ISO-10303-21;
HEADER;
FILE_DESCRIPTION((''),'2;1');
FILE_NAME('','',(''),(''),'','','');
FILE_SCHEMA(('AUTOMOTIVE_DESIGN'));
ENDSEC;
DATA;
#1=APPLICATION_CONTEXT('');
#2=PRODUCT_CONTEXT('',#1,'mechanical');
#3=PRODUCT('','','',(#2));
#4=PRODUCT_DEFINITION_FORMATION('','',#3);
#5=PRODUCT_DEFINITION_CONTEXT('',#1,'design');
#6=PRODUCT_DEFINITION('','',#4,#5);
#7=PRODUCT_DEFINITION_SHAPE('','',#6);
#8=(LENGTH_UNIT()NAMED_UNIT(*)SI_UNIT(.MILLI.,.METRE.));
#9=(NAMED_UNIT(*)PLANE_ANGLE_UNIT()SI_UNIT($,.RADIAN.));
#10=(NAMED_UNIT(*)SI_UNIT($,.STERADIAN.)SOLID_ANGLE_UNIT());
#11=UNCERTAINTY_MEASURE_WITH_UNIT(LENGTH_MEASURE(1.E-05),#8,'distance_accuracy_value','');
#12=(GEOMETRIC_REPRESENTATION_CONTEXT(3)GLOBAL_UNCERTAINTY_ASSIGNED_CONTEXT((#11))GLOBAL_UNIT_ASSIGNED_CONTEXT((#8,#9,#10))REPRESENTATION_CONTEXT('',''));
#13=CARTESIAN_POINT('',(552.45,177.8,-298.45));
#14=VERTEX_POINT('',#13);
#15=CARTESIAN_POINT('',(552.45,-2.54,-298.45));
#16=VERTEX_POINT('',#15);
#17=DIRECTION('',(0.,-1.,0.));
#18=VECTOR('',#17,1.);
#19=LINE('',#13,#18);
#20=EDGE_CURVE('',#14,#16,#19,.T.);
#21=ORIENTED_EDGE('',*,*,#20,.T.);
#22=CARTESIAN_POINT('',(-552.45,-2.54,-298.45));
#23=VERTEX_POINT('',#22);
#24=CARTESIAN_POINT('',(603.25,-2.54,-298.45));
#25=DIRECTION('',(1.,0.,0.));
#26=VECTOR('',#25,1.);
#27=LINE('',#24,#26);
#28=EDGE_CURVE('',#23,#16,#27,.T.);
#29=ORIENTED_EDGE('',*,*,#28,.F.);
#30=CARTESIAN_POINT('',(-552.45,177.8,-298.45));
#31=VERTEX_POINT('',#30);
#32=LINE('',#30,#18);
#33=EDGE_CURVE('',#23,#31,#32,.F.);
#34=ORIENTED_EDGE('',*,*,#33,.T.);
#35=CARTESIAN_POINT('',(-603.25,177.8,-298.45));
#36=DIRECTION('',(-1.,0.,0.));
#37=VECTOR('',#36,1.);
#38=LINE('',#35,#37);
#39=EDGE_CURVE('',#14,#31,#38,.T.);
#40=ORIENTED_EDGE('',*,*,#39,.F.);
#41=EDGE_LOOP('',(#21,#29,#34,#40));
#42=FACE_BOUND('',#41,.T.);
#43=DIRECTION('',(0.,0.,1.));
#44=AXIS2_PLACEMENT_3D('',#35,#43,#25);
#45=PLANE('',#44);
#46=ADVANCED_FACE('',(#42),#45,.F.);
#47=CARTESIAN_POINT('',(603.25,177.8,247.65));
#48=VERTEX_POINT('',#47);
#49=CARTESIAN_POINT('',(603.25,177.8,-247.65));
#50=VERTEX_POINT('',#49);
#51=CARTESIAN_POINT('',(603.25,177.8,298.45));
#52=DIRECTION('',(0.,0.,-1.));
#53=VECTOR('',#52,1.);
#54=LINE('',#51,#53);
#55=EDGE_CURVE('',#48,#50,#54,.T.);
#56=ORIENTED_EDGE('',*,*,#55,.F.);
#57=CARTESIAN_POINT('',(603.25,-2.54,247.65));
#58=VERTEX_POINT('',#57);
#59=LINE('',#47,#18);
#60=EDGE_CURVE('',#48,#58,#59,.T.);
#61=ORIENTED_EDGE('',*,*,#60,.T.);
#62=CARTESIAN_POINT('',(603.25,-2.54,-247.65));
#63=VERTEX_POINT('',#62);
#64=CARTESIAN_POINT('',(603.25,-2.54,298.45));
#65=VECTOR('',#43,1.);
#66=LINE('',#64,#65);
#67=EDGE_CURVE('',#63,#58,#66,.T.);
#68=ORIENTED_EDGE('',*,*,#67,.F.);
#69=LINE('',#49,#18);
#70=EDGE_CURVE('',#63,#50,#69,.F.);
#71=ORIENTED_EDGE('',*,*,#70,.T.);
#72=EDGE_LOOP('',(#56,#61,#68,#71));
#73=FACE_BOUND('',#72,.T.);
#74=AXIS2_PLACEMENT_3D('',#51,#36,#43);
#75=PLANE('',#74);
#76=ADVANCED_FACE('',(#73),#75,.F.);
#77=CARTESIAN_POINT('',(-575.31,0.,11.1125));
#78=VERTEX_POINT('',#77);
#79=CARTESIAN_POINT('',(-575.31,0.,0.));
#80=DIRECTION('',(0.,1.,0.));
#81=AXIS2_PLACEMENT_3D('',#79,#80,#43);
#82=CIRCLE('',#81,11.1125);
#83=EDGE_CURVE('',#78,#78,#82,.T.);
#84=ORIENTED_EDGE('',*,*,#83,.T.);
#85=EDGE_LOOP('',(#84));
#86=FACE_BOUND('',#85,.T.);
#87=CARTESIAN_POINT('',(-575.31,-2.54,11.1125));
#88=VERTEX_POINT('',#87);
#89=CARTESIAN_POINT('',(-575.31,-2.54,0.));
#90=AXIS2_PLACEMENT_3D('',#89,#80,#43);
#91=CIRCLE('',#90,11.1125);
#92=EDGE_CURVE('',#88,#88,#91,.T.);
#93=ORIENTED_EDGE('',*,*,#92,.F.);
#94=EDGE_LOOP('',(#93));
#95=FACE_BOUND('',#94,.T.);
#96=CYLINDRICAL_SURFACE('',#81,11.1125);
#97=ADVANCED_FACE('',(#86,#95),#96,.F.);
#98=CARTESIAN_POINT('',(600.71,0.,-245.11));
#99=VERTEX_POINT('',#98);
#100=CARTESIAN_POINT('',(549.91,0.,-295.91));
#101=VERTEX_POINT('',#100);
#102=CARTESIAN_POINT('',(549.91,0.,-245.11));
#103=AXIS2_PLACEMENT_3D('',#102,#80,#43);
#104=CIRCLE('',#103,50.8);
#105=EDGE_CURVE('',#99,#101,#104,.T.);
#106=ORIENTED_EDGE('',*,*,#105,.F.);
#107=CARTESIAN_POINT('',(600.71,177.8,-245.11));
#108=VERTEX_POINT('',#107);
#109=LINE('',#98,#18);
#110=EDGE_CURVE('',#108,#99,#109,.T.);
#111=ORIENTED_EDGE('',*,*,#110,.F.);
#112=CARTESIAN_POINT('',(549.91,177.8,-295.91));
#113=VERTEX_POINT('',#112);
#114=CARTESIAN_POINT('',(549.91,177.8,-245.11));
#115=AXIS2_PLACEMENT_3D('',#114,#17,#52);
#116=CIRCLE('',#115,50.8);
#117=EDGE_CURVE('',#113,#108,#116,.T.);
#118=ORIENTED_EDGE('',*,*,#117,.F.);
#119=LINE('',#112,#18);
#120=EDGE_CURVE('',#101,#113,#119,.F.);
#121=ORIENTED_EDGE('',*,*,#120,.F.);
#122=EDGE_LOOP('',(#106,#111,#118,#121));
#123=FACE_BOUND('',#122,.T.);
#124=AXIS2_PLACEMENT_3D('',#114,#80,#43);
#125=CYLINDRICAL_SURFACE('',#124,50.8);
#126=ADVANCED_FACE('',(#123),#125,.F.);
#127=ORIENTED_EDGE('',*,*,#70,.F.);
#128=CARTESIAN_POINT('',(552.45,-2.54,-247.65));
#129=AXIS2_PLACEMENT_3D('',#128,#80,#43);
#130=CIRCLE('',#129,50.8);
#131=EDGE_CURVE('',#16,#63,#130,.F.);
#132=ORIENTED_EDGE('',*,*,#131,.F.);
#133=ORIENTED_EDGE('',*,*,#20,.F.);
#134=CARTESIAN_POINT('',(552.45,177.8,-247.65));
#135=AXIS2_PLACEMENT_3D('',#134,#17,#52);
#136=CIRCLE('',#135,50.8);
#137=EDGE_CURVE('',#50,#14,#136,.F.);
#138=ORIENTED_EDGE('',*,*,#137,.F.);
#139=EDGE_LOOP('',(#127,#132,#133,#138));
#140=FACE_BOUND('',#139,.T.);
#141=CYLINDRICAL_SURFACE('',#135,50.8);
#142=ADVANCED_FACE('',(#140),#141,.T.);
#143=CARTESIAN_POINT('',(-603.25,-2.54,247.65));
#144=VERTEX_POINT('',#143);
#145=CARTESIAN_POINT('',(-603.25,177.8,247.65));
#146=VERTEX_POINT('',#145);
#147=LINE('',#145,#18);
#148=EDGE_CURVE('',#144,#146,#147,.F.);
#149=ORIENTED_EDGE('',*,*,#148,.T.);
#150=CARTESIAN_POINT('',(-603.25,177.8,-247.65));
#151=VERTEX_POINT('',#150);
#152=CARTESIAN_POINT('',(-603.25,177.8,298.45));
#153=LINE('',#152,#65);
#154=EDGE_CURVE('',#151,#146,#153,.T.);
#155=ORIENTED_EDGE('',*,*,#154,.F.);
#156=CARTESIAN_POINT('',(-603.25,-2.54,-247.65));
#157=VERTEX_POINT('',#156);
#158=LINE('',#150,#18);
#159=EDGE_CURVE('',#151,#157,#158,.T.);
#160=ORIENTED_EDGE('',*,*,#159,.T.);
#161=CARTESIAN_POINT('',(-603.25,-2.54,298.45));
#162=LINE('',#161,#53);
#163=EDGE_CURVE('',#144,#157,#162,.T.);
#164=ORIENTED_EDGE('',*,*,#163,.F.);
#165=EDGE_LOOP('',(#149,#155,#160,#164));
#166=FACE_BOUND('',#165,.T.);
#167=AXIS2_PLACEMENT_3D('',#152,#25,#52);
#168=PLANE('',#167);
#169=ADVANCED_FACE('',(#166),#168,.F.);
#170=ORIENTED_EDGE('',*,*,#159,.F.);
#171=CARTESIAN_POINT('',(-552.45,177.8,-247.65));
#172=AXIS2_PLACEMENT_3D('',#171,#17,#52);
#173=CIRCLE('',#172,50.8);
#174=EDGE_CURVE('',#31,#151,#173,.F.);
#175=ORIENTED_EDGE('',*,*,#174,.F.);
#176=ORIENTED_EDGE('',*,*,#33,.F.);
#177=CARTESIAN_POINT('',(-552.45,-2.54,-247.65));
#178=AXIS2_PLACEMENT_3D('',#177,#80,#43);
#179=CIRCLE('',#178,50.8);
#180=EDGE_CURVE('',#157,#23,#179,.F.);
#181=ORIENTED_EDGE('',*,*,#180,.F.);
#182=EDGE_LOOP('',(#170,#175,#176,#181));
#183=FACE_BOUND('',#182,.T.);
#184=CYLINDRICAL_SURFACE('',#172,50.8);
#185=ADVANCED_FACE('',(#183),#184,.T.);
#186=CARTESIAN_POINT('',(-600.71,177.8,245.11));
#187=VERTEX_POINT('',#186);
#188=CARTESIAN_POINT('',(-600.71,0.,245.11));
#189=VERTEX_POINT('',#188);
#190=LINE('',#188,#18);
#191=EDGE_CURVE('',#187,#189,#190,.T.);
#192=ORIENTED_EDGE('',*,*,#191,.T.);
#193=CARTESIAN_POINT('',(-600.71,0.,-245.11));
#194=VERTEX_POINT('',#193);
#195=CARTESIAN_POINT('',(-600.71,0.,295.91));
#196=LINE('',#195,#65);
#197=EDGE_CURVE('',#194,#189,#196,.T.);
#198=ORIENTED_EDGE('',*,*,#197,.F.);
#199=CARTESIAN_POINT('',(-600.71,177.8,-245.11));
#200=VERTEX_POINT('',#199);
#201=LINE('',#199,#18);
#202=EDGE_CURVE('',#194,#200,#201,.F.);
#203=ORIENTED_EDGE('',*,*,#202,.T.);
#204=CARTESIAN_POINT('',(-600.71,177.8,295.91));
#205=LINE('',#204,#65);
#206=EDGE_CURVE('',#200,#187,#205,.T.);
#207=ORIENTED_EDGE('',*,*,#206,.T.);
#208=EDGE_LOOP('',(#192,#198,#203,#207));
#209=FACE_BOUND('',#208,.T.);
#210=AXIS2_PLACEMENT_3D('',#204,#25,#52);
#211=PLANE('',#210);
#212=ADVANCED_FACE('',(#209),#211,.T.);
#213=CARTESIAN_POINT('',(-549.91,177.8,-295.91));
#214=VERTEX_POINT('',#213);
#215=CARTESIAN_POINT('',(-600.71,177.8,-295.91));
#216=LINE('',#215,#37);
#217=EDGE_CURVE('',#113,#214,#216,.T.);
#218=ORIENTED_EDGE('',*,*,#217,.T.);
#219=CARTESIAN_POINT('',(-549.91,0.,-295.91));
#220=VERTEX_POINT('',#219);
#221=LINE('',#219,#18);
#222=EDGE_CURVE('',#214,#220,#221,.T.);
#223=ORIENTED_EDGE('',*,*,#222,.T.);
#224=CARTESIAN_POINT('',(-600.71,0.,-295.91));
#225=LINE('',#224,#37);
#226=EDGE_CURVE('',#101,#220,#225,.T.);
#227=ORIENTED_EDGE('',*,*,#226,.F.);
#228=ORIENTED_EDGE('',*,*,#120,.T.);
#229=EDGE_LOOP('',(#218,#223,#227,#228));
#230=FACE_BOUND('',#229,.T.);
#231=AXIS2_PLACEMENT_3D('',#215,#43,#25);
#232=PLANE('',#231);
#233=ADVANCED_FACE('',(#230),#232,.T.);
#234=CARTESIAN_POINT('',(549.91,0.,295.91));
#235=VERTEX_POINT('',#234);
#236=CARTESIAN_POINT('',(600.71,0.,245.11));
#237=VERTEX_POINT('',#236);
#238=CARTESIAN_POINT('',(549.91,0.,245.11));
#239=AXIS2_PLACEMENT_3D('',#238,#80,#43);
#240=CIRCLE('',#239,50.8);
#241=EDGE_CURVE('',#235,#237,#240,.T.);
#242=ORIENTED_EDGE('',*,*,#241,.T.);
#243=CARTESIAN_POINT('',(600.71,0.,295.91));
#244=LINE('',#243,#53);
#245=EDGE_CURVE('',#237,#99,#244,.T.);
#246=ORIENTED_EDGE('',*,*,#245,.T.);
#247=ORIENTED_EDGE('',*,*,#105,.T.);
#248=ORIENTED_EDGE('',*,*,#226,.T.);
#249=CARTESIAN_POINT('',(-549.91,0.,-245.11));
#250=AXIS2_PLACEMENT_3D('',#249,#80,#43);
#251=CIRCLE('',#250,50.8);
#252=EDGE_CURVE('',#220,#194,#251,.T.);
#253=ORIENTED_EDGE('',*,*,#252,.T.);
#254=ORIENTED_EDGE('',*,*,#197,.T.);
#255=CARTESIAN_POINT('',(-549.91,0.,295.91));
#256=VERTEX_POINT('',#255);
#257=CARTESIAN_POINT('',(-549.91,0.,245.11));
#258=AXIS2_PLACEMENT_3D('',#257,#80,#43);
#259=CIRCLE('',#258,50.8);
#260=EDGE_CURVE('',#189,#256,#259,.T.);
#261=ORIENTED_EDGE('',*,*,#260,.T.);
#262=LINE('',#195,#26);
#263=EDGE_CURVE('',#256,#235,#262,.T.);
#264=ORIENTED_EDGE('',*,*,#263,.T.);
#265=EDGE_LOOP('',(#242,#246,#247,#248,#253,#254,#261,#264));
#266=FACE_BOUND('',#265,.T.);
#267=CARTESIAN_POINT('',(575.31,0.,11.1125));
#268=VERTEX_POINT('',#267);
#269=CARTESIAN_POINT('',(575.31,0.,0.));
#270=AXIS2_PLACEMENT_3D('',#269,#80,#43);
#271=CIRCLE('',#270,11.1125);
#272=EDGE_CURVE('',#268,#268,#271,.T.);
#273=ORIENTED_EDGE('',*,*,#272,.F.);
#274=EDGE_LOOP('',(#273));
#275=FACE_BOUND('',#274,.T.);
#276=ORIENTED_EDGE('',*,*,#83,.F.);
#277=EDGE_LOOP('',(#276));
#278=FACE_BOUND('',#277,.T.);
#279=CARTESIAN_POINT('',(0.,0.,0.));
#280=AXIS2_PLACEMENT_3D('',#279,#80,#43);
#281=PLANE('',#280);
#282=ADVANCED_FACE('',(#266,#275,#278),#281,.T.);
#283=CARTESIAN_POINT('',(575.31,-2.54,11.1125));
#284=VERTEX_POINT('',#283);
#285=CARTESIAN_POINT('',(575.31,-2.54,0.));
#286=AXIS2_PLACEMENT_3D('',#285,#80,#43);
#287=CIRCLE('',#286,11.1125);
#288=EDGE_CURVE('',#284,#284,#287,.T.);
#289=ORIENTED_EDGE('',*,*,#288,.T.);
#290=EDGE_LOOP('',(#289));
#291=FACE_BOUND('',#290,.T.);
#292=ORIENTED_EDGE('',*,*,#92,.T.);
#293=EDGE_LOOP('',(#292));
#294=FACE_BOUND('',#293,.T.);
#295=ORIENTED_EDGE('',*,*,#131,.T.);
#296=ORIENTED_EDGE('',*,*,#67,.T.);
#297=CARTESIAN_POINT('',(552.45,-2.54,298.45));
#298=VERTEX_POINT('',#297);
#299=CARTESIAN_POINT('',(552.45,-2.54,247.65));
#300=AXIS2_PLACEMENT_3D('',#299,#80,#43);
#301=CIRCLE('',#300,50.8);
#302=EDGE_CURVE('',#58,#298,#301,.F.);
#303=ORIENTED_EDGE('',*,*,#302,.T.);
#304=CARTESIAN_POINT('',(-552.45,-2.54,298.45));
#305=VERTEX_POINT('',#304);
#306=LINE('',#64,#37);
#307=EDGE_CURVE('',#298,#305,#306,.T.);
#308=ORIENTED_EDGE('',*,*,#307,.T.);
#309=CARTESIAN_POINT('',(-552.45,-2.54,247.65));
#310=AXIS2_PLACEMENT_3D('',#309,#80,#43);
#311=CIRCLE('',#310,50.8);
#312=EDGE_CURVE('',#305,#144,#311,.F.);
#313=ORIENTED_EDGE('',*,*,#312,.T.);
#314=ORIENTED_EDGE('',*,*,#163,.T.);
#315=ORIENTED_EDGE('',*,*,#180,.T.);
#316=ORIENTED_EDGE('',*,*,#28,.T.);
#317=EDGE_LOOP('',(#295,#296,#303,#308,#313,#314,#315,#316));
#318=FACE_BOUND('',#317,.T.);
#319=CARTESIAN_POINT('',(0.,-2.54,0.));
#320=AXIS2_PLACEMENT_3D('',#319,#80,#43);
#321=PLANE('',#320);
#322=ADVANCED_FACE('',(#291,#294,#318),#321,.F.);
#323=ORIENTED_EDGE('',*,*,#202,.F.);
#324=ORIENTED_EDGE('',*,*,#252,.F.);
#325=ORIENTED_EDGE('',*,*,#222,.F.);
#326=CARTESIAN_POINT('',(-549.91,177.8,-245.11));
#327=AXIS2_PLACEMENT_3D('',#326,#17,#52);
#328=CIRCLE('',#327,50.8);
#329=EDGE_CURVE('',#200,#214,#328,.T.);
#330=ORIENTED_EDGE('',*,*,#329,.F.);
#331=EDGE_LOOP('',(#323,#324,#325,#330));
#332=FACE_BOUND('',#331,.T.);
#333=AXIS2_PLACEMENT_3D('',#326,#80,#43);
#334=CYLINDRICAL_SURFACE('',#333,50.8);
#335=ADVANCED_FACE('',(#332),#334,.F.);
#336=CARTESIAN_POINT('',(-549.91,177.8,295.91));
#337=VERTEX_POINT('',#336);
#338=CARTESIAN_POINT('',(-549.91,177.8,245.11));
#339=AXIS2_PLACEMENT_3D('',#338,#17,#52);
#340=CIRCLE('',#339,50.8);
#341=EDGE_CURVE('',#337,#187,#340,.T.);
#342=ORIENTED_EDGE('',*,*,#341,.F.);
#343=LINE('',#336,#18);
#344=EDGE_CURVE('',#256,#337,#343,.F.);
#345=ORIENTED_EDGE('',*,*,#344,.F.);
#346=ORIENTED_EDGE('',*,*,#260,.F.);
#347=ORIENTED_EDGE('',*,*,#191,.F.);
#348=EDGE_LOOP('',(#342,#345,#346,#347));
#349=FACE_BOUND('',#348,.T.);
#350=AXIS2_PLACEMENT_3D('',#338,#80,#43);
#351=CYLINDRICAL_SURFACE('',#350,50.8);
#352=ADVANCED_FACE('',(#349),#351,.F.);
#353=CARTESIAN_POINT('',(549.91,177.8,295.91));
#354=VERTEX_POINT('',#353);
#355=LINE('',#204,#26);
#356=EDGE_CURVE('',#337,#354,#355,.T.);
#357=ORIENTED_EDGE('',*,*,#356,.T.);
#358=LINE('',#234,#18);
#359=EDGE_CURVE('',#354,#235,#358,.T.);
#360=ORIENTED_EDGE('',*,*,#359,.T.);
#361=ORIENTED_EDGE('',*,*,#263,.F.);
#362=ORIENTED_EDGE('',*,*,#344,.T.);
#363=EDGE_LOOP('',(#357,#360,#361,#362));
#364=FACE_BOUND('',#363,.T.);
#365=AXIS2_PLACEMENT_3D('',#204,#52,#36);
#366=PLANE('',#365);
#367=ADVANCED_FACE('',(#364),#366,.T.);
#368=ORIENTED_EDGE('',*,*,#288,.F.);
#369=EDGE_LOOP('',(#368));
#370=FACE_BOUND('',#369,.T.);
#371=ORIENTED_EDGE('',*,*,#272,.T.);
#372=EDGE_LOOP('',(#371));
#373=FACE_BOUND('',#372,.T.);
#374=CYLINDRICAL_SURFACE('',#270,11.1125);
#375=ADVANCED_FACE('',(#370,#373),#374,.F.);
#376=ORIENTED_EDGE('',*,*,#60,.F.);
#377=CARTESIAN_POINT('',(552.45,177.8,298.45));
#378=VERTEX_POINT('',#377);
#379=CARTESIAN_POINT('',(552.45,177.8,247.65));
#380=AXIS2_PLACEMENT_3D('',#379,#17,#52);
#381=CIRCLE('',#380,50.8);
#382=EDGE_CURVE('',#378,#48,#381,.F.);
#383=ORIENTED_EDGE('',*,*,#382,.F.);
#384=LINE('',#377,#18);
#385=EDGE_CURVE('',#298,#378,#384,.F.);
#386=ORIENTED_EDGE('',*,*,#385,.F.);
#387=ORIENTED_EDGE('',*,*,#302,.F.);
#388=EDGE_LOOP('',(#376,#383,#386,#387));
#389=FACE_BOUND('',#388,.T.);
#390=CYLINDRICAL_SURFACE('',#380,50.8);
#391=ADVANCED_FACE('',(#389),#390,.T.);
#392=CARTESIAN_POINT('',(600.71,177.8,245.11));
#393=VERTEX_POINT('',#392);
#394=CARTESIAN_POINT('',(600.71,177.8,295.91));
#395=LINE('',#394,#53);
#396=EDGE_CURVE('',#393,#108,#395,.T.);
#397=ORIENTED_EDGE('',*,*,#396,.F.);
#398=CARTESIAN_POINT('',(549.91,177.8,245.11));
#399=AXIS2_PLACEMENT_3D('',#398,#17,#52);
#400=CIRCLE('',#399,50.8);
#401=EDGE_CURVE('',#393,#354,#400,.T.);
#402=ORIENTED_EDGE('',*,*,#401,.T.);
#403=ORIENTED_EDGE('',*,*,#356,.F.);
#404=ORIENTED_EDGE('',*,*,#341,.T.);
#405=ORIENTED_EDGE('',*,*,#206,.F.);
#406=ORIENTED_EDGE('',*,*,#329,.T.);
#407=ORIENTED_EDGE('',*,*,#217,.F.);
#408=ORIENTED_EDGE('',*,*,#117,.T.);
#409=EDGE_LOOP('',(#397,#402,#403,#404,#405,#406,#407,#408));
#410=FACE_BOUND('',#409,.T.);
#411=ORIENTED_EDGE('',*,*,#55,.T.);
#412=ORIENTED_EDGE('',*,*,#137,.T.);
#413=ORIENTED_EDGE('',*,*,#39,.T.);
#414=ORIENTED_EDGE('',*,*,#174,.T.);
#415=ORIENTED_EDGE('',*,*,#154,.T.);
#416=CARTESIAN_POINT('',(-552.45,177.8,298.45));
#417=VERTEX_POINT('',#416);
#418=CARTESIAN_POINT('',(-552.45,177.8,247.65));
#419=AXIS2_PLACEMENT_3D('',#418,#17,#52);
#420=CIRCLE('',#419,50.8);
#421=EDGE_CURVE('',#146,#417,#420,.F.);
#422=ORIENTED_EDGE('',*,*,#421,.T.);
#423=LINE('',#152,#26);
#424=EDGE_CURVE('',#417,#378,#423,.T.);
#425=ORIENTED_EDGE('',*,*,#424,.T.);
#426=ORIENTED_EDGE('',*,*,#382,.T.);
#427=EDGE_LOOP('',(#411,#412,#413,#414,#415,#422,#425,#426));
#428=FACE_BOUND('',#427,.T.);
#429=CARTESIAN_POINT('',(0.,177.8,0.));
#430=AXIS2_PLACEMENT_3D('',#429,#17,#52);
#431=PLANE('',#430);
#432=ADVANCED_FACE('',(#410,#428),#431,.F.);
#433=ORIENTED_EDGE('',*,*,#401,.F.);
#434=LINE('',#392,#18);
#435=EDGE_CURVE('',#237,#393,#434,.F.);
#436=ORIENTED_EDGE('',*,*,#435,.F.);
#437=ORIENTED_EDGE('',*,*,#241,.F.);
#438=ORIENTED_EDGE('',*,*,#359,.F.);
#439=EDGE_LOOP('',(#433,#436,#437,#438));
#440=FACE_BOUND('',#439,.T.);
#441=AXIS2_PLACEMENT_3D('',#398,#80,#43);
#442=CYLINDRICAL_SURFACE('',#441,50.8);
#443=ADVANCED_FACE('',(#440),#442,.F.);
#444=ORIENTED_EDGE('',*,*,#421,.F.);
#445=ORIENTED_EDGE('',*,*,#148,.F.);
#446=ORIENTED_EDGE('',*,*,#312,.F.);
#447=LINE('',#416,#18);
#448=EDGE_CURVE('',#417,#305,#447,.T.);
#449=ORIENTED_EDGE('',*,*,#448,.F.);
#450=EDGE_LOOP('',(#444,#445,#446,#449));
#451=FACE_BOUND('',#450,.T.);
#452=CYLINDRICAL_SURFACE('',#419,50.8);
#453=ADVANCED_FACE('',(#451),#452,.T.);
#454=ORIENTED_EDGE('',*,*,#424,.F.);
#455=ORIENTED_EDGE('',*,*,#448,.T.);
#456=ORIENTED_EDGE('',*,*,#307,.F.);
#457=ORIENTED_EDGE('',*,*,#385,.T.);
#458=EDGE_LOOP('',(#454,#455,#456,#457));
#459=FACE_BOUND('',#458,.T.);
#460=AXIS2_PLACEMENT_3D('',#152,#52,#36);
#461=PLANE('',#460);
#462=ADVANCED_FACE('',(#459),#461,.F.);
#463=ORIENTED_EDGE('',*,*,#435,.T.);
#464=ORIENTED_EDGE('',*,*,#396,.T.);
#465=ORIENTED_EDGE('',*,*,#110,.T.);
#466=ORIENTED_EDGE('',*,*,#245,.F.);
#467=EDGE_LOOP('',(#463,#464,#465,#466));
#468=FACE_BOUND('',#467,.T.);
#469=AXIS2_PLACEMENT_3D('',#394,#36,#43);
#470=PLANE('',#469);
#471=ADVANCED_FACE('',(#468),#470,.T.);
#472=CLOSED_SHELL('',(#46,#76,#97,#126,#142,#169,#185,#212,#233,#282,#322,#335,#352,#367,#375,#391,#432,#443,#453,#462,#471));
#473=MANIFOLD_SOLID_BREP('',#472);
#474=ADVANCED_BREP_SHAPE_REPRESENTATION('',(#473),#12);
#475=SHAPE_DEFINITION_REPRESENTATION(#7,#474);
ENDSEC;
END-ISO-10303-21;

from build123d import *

# Parameters (mm, degrees)
SKETCH1_W                        = 1206.5
SKETCH1_H                        = 596.9
SKETCH1_W_2                      = 1201.42
SKETCH1_H_2                      = 591.82
BOSS_EXTRUDE1_DEPTH              = 177.8
SKETCH2_W                        = 1206.5
SKETCH2_H                        = 596.9
BOSS_EXTRUDE2_DEPTH              = 2.54
FILLET1_R                        = 50.8
F_7_8_0_875_DIAMETER_HOLE1_D     = 22.225
F_7_8_0_875_DIAMETER_HOLE1_DEPTH = 2.54


with BuildPart() as part:
    # Sketch1 → Boss-Extrude1 (new body)
    with BuildSketch(Plane(origin=(0, 0, 0), x_dir=(1, 0, 0), z_dir=(0, 1, 0))):
        Rectangle(SKETCH1_W, SKETCH1_H)
        Rectangle(SKETCH1_W_2, SKETCH1_H_2, mode=Mode.SUBTRACT)
    extrude(amount=BOSS_EXTRUDE1_DEPTH)

    # Sketch2 → Boss-Extrude2 (add)
    with BuildSketch(Plane.XZ):
        Rectangle(SKETCH2_W, SKETCH2_H)
    extrude(amount=BOSS_EXTRUDE2_DEPTH)

    # Fillet1
    fillet1_edges = [part.edges().sort_by_distance(p)[0] for p in [
        (600.71, 88.9, 295.91),
        (600.71, 88.9, -295.91),
        (-600.71, 88.9, -295.91),
        (-600.71, 88.9, 295.91),
        (603.25, 87.63, 298.45),
        (-603.25, 87.63, 298.45),
        (-603.25, 87.63, -298.45),
        (603.25, 87.63, -298.45),
    ]]
    fillet(fillet1_edges, radius=FILLET1_R)

    # 7/8 (0.875) Diameter Hole1
    with Locations(Plane(origin=(0, 0, 0), x_dir=(1, 0, 0), z_dir=(0, 1, 0))):
        with Locations((575.31, 0), (-575.31, 0)):
            Hole(F_7_8_0_875_DIAMETER_HOLE1_D / 2, depth=F_7_8_0_875_DIAMETER_HOLE1_DEPTH)


solid = part.part
